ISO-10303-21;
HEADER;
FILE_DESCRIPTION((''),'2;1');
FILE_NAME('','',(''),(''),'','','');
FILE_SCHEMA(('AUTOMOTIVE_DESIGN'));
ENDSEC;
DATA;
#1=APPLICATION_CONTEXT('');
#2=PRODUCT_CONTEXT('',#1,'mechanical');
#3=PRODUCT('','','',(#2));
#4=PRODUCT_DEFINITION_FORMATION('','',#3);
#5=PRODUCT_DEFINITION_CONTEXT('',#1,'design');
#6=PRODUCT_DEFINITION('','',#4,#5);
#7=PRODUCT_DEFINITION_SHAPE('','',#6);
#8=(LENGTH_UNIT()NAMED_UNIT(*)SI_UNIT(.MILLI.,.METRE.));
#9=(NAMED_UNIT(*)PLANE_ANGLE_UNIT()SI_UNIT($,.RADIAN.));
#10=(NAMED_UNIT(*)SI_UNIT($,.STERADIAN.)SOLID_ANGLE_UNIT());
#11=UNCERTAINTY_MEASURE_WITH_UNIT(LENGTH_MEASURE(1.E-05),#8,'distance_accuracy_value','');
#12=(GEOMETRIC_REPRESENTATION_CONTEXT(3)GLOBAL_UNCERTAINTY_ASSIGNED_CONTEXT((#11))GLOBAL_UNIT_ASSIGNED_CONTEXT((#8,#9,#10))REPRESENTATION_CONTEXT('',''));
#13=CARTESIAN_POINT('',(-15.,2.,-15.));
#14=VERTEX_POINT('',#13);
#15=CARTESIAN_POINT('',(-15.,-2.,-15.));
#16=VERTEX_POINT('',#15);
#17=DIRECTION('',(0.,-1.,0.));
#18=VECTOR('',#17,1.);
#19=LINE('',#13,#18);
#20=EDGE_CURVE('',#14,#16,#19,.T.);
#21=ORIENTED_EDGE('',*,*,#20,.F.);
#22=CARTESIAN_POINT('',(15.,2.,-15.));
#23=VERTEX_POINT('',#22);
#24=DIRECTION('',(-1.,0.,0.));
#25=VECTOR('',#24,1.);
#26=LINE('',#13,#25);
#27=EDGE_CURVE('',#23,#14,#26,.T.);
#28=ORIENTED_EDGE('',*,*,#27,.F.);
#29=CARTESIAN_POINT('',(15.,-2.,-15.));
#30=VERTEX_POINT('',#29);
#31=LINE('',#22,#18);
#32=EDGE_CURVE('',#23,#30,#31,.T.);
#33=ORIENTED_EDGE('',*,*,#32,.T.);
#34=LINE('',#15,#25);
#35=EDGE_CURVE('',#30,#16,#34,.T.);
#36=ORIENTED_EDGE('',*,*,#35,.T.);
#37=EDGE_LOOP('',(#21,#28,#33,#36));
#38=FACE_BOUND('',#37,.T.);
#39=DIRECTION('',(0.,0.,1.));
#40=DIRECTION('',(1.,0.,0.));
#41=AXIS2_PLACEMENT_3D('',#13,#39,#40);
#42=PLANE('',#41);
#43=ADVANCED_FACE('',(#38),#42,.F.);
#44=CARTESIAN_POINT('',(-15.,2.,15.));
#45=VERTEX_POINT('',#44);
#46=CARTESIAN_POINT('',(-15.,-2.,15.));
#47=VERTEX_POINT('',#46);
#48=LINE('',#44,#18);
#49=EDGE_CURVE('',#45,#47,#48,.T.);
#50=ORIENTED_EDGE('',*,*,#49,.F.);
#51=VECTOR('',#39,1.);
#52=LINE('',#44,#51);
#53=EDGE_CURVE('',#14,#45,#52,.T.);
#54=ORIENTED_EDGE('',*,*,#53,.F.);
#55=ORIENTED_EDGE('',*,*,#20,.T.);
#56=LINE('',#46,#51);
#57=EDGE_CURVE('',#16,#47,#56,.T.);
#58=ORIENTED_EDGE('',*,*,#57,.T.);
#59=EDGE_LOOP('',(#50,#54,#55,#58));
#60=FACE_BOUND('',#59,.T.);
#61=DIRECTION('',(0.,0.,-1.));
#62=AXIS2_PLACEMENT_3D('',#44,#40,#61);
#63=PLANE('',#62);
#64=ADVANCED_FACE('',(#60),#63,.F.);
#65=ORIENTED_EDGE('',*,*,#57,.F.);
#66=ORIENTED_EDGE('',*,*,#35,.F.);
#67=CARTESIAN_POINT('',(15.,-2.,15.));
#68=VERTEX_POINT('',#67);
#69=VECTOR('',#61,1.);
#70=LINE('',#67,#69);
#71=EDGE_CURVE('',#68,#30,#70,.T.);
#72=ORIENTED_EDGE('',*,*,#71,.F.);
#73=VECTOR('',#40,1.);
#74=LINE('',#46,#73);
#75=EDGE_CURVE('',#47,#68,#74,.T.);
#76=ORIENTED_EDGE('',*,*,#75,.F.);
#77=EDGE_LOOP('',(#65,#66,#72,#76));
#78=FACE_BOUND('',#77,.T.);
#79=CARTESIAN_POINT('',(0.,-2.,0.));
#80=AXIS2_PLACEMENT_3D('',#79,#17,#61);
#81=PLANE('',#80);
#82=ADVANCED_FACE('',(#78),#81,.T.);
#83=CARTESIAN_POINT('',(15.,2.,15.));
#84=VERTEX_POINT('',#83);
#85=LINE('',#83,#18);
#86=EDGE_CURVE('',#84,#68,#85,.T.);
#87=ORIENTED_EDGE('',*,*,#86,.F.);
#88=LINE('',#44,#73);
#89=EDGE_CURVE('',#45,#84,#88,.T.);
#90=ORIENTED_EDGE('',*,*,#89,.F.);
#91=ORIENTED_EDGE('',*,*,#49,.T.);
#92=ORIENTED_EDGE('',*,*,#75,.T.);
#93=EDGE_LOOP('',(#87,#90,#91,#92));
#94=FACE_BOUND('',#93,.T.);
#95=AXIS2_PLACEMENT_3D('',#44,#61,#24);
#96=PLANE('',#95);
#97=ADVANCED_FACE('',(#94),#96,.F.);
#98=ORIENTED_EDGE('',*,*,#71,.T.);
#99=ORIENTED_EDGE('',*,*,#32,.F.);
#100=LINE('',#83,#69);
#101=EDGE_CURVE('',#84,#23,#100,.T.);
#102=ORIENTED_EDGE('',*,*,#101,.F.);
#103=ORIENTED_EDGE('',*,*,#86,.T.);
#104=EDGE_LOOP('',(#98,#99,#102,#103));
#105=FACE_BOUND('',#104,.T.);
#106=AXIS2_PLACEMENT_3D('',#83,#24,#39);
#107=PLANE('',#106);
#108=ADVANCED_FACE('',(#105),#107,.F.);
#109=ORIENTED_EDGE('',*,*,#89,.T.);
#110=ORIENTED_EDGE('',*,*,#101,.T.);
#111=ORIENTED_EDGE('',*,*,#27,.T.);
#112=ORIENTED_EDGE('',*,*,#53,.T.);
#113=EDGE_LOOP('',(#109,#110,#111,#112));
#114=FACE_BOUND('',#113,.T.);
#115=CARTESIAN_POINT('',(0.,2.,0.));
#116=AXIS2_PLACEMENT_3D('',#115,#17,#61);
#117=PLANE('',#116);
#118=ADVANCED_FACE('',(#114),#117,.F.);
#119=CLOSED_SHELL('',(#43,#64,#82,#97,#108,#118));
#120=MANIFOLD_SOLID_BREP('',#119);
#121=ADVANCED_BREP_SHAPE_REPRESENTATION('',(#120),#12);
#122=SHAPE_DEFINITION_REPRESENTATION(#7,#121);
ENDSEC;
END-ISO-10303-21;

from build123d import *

# Parameters (mm, degrees)
SKETCH1_W           = 30
SKETCH1_H           = 30
BOSS_EXTRUDE1_DEPTH = 2
SKETCH2_R           = 4.25
CUT_EXTRUDE1_DEPTH  = 22.587033145


with BuildPart() as part:
    # Sketch1 → Boss-Extrude1 (new, symmetric)
    with BuildSketch(Plane(origin=(0, 0, 0), x_dir=(1, 0, 0), z_dir=(0, 1, 0))):
        Rectangle(SKETCH1_W, SKETCH1_H)
    extrude(amount=BOSS_EXTRUDE1_DEPTH, both=True)

    # Sketch2 → Cut-Extrude1 (cut, through all)
    with BuildSketch(Plane(origin=(0, 2, 0), x_dir=(1, 0, 0), z_dir=(0, 1, 0))):
        with Locations((30.9, 24)):
            Circle(SKETCH2_R)
    extrude(amount=-CUT_EXTRUDE1_DEPTH, mode=Mode.SUBTRACT)


solid = part.part
